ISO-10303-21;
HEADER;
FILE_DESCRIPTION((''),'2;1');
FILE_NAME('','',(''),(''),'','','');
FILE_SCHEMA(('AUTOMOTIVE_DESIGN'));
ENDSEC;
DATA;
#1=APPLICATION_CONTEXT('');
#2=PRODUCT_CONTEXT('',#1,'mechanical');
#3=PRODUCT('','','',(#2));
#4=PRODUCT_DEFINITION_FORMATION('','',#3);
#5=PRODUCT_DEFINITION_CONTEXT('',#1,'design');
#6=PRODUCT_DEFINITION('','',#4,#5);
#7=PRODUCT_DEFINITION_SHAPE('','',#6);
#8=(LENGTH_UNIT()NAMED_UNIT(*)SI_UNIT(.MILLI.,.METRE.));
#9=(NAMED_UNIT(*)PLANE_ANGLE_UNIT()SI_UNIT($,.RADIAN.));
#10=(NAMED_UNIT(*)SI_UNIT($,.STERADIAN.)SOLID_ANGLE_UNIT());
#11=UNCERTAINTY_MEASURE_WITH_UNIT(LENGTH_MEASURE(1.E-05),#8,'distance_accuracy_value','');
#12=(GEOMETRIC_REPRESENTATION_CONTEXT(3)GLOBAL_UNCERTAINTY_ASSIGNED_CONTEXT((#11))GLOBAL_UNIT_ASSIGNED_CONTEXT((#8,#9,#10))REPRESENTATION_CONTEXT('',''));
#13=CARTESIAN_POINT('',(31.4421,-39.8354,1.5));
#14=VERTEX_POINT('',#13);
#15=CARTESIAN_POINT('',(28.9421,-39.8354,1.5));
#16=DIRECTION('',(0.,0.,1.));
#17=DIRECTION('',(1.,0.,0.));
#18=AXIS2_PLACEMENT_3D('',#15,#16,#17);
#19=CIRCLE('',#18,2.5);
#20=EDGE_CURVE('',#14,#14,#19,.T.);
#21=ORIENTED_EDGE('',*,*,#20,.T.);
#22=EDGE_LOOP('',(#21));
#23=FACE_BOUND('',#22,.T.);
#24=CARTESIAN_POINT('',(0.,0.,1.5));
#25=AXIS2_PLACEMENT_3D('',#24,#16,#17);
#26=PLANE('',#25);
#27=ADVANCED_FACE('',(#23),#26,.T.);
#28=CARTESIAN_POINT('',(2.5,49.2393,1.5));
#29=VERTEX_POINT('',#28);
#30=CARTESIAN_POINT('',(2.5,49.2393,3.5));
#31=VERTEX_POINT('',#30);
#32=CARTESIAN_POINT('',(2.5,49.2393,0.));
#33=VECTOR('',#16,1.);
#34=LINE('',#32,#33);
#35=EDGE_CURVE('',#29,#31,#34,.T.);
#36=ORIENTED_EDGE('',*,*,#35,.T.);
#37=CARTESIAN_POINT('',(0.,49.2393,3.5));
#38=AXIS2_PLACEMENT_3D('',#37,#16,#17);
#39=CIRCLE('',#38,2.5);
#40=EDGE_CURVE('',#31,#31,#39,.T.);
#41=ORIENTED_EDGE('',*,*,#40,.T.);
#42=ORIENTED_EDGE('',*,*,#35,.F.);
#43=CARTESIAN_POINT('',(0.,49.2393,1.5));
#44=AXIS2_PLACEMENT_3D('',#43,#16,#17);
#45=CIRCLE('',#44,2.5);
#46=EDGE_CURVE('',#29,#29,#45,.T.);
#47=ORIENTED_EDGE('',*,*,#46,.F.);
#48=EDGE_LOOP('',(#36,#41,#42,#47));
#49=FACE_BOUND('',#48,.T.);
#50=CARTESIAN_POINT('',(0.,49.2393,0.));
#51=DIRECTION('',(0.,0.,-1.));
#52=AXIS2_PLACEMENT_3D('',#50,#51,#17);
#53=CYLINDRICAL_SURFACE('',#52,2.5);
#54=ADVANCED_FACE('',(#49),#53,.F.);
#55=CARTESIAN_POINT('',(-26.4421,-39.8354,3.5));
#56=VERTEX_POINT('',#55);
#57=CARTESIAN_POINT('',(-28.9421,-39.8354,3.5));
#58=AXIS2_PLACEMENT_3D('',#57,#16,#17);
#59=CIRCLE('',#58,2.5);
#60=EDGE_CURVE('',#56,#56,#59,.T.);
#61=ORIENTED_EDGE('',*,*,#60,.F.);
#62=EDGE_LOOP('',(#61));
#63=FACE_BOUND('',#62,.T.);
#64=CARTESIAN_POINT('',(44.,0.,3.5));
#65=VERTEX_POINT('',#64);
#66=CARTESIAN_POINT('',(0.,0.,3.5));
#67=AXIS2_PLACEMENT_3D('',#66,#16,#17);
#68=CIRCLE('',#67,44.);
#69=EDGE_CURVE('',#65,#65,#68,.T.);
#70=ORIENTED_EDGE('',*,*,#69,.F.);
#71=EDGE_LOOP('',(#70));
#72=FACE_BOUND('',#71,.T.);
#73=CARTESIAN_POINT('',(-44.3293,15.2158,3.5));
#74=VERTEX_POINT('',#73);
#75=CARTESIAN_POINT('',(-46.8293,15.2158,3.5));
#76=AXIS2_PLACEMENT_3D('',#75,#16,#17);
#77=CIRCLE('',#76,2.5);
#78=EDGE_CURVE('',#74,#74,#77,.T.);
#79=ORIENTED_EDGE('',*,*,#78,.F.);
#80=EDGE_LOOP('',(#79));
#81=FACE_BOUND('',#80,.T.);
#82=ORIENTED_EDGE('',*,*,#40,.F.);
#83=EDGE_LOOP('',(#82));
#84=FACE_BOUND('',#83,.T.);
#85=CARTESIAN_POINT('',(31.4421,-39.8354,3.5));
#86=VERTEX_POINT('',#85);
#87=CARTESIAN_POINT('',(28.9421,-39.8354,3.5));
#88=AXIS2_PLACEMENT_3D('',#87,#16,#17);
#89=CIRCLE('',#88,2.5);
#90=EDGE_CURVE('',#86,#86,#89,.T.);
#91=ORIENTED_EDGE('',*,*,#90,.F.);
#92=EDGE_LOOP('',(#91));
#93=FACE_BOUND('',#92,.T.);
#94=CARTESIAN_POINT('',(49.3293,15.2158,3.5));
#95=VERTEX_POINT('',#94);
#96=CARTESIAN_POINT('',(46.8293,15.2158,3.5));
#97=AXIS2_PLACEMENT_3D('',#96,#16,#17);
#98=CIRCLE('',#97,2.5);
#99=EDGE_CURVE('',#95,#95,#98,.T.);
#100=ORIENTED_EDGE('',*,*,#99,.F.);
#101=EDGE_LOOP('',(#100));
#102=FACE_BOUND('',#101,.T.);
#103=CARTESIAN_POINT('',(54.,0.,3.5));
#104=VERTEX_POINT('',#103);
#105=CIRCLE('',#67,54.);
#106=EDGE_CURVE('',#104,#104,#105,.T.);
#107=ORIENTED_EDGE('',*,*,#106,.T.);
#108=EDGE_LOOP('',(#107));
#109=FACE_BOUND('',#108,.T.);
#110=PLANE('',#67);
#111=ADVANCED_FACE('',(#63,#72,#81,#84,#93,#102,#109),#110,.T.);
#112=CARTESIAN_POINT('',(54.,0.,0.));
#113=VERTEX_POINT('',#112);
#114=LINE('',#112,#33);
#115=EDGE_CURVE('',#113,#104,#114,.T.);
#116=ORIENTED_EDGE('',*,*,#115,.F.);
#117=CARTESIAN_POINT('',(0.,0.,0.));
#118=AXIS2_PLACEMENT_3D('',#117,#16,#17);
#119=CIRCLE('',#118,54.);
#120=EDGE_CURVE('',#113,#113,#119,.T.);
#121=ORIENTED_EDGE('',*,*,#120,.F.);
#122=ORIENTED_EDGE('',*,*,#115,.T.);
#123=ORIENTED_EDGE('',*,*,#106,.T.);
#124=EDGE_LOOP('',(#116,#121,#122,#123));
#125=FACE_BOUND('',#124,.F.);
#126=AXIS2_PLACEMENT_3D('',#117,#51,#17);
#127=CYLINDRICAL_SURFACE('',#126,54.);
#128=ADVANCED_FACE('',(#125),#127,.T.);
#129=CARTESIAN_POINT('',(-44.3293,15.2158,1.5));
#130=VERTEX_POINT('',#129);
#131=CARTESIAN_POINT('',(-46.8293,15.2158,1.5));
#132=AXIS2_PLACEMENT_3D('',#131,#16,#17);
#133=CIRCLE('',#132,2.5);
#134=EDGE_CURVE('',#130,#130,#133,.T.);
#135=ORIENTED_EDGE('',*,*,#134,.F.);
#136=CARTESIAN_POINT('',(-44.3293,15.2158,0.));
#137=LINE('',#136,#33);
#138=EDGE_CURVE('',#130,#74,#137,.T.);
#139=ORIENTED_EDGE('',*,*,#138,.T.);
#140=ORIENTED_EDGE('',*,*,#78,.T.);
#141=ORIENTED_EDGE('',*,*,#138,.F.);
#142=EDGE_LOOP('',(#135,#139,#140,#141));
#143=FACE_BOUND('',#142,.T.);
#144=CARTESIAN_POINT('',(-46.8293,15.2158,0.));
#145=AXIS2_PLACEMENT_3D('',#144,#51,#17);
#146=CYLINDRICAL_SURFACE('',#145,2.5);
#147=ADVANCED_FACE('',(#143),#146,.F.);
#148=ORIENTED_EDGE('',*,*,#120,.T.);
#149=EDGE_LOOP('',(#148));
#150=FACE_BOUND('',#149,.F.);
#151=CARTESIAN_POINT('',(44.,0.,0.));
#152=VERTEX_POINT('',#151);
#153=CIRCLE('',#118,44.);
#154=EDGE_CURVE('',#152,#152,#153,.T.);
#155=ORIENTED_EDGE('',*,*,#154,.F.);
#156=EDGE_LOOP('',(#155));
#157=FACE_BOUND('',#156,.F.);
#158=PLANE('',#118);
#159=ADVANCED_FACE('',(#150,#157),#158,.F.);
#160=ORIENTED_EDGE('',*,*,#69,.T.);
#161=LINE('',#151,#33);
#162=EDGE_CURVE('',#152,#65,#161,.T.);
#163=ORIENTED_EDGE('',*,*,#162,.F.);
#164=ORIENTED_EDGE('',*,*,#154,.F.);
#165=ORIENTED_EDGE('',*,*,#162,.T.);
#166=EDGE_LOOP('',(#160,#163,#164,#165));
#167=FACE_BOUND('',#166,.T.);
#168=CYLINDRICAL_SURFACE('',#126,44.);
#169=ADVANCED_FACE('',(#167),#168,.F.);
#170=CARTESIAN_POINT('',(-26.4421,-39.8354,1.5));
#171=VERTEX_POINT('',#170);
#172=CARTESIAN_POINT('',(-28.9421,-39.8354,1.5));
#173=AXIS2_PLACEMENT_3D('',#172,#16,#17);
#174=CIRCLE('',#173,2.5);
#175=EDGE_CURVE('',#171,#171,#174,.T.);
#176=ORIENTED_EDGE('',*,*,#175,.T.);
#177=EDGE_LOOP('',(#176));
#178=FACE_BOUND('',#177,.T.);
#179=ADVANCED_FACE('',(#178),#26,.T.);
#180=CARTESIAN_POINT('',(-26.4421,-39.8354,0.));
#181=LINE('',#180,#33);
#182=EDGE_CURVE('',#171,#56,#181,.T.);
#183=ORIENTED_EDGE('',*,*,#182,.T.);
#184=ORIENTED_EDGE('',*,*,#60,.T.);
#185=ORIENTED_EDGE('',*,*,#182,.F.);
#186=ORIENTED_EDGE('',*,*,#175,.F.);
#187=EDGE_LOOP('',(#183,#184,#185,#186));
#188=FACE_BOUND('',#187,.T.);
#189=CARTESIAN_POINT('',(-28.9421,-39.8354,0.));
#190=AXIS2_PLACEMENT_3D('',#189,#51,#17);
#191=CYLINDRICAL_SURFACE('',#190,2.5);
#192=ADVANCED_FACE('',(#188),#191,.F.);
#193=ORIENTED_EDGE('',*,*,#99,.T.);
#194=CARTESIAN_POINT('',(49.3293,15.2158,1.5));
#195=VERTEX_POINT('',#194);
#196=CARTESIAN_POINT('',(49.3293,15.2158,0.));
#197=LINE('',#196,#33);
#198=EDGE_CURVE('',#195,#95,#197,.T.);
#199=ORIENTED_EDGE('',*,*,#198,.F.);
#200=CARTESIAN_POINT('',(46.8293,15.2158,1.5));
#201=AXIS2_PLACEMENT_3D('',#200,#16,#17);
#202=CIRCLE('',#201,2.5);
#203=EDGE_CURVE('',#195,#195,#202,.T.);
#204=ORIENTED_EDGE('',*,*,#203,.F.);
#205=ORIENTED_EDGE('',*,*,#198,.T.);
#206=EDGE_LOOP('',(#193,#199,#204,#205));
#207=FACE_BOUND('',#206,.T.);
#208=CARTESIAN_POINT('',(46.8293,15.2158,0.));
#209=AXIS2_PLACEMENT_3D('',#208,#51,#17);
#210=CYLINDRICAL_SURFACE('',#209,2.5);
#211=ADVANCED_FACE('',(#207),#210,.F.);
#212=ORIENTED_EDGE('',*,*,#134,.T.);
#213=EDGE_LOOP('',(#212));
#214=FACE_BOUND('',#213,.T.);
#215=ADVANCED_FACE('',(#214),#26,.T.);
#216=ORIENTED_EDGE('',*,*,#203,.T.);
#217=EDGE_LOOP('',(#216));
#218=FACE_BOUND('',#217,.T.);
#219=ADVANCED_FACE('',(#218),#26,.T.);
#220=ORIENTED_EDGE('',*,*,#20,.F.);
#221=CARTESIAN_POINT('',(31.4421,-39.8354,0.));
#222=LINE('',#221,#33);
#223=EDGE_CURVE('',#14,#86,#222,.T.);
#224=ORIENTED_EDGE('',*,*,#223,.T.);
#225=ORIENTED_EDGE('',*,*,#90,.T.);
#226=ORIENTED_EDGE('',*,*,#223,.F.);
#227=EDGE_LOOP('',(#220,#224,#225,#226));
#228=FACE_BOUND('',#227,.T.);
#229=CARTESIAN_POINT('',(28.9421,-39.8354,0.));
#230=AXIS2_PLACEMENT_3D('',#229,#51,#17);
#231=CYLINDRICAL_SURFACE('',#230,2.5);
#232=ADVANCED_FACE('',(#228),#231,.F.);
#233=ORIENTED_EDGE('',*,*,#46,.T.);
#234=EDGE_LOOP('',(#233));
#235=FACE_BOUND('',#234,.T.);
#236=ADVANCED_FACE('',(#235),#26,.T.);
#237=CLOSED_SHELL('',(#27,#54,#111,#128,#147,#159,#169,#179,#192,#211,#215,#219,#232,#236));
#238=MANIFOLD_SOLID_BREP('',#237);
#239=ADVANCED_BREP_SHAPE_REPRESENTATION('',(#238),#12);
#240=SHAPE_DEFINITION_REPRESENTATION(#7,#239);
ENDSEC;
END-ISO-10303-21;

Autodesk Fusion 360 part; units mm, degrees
sketch "Sketch1" plane through (0, 0, 0) normal (0, 0, 1) x (1, 0, 0)
  circle A0 centre (0, 0) radius 44
  circle A1 centre (0, 0) radius 54
  line L0 (0, 0) -> (0, 49.2393) construction
  circle A2 centre (0, 49.2393) radius 2.5
  circle A3 centre (-46.8293, 15.2158) radius 2.5
  circle A4 centre (-28.9421, -39.8354) radius 2.5
  circle A5 centre (28.9421, -39.8354) radius 2.5
  circle A6 centre (46.8293, 15.2158) radius 2.5
  dimension "d1" = 88
  dimension "d2" = 108
  dimension "d3" = 49.2393
  dimension "d4" = 5
  dimension "d6" = 360
extrude "Extrude1" add sketch "Sketch1" along normal blind 1.5 contours A2 | A3 | A4 | A5 | A6 makes body 1 at (49.3262, 15.0912, 1) makes body 2 at (2.4969, 49.1147, 1) makes body 3 at (31.439, -39.96, 1) makes body 4 at (-44.3324, 15.0912, 1) makes body 5 at (-26.4452, -39.96, 1)
extrude "Extrude2" add sketch "Sketch1" along normal blind 3.5 bodies 1 2 3 4 5
